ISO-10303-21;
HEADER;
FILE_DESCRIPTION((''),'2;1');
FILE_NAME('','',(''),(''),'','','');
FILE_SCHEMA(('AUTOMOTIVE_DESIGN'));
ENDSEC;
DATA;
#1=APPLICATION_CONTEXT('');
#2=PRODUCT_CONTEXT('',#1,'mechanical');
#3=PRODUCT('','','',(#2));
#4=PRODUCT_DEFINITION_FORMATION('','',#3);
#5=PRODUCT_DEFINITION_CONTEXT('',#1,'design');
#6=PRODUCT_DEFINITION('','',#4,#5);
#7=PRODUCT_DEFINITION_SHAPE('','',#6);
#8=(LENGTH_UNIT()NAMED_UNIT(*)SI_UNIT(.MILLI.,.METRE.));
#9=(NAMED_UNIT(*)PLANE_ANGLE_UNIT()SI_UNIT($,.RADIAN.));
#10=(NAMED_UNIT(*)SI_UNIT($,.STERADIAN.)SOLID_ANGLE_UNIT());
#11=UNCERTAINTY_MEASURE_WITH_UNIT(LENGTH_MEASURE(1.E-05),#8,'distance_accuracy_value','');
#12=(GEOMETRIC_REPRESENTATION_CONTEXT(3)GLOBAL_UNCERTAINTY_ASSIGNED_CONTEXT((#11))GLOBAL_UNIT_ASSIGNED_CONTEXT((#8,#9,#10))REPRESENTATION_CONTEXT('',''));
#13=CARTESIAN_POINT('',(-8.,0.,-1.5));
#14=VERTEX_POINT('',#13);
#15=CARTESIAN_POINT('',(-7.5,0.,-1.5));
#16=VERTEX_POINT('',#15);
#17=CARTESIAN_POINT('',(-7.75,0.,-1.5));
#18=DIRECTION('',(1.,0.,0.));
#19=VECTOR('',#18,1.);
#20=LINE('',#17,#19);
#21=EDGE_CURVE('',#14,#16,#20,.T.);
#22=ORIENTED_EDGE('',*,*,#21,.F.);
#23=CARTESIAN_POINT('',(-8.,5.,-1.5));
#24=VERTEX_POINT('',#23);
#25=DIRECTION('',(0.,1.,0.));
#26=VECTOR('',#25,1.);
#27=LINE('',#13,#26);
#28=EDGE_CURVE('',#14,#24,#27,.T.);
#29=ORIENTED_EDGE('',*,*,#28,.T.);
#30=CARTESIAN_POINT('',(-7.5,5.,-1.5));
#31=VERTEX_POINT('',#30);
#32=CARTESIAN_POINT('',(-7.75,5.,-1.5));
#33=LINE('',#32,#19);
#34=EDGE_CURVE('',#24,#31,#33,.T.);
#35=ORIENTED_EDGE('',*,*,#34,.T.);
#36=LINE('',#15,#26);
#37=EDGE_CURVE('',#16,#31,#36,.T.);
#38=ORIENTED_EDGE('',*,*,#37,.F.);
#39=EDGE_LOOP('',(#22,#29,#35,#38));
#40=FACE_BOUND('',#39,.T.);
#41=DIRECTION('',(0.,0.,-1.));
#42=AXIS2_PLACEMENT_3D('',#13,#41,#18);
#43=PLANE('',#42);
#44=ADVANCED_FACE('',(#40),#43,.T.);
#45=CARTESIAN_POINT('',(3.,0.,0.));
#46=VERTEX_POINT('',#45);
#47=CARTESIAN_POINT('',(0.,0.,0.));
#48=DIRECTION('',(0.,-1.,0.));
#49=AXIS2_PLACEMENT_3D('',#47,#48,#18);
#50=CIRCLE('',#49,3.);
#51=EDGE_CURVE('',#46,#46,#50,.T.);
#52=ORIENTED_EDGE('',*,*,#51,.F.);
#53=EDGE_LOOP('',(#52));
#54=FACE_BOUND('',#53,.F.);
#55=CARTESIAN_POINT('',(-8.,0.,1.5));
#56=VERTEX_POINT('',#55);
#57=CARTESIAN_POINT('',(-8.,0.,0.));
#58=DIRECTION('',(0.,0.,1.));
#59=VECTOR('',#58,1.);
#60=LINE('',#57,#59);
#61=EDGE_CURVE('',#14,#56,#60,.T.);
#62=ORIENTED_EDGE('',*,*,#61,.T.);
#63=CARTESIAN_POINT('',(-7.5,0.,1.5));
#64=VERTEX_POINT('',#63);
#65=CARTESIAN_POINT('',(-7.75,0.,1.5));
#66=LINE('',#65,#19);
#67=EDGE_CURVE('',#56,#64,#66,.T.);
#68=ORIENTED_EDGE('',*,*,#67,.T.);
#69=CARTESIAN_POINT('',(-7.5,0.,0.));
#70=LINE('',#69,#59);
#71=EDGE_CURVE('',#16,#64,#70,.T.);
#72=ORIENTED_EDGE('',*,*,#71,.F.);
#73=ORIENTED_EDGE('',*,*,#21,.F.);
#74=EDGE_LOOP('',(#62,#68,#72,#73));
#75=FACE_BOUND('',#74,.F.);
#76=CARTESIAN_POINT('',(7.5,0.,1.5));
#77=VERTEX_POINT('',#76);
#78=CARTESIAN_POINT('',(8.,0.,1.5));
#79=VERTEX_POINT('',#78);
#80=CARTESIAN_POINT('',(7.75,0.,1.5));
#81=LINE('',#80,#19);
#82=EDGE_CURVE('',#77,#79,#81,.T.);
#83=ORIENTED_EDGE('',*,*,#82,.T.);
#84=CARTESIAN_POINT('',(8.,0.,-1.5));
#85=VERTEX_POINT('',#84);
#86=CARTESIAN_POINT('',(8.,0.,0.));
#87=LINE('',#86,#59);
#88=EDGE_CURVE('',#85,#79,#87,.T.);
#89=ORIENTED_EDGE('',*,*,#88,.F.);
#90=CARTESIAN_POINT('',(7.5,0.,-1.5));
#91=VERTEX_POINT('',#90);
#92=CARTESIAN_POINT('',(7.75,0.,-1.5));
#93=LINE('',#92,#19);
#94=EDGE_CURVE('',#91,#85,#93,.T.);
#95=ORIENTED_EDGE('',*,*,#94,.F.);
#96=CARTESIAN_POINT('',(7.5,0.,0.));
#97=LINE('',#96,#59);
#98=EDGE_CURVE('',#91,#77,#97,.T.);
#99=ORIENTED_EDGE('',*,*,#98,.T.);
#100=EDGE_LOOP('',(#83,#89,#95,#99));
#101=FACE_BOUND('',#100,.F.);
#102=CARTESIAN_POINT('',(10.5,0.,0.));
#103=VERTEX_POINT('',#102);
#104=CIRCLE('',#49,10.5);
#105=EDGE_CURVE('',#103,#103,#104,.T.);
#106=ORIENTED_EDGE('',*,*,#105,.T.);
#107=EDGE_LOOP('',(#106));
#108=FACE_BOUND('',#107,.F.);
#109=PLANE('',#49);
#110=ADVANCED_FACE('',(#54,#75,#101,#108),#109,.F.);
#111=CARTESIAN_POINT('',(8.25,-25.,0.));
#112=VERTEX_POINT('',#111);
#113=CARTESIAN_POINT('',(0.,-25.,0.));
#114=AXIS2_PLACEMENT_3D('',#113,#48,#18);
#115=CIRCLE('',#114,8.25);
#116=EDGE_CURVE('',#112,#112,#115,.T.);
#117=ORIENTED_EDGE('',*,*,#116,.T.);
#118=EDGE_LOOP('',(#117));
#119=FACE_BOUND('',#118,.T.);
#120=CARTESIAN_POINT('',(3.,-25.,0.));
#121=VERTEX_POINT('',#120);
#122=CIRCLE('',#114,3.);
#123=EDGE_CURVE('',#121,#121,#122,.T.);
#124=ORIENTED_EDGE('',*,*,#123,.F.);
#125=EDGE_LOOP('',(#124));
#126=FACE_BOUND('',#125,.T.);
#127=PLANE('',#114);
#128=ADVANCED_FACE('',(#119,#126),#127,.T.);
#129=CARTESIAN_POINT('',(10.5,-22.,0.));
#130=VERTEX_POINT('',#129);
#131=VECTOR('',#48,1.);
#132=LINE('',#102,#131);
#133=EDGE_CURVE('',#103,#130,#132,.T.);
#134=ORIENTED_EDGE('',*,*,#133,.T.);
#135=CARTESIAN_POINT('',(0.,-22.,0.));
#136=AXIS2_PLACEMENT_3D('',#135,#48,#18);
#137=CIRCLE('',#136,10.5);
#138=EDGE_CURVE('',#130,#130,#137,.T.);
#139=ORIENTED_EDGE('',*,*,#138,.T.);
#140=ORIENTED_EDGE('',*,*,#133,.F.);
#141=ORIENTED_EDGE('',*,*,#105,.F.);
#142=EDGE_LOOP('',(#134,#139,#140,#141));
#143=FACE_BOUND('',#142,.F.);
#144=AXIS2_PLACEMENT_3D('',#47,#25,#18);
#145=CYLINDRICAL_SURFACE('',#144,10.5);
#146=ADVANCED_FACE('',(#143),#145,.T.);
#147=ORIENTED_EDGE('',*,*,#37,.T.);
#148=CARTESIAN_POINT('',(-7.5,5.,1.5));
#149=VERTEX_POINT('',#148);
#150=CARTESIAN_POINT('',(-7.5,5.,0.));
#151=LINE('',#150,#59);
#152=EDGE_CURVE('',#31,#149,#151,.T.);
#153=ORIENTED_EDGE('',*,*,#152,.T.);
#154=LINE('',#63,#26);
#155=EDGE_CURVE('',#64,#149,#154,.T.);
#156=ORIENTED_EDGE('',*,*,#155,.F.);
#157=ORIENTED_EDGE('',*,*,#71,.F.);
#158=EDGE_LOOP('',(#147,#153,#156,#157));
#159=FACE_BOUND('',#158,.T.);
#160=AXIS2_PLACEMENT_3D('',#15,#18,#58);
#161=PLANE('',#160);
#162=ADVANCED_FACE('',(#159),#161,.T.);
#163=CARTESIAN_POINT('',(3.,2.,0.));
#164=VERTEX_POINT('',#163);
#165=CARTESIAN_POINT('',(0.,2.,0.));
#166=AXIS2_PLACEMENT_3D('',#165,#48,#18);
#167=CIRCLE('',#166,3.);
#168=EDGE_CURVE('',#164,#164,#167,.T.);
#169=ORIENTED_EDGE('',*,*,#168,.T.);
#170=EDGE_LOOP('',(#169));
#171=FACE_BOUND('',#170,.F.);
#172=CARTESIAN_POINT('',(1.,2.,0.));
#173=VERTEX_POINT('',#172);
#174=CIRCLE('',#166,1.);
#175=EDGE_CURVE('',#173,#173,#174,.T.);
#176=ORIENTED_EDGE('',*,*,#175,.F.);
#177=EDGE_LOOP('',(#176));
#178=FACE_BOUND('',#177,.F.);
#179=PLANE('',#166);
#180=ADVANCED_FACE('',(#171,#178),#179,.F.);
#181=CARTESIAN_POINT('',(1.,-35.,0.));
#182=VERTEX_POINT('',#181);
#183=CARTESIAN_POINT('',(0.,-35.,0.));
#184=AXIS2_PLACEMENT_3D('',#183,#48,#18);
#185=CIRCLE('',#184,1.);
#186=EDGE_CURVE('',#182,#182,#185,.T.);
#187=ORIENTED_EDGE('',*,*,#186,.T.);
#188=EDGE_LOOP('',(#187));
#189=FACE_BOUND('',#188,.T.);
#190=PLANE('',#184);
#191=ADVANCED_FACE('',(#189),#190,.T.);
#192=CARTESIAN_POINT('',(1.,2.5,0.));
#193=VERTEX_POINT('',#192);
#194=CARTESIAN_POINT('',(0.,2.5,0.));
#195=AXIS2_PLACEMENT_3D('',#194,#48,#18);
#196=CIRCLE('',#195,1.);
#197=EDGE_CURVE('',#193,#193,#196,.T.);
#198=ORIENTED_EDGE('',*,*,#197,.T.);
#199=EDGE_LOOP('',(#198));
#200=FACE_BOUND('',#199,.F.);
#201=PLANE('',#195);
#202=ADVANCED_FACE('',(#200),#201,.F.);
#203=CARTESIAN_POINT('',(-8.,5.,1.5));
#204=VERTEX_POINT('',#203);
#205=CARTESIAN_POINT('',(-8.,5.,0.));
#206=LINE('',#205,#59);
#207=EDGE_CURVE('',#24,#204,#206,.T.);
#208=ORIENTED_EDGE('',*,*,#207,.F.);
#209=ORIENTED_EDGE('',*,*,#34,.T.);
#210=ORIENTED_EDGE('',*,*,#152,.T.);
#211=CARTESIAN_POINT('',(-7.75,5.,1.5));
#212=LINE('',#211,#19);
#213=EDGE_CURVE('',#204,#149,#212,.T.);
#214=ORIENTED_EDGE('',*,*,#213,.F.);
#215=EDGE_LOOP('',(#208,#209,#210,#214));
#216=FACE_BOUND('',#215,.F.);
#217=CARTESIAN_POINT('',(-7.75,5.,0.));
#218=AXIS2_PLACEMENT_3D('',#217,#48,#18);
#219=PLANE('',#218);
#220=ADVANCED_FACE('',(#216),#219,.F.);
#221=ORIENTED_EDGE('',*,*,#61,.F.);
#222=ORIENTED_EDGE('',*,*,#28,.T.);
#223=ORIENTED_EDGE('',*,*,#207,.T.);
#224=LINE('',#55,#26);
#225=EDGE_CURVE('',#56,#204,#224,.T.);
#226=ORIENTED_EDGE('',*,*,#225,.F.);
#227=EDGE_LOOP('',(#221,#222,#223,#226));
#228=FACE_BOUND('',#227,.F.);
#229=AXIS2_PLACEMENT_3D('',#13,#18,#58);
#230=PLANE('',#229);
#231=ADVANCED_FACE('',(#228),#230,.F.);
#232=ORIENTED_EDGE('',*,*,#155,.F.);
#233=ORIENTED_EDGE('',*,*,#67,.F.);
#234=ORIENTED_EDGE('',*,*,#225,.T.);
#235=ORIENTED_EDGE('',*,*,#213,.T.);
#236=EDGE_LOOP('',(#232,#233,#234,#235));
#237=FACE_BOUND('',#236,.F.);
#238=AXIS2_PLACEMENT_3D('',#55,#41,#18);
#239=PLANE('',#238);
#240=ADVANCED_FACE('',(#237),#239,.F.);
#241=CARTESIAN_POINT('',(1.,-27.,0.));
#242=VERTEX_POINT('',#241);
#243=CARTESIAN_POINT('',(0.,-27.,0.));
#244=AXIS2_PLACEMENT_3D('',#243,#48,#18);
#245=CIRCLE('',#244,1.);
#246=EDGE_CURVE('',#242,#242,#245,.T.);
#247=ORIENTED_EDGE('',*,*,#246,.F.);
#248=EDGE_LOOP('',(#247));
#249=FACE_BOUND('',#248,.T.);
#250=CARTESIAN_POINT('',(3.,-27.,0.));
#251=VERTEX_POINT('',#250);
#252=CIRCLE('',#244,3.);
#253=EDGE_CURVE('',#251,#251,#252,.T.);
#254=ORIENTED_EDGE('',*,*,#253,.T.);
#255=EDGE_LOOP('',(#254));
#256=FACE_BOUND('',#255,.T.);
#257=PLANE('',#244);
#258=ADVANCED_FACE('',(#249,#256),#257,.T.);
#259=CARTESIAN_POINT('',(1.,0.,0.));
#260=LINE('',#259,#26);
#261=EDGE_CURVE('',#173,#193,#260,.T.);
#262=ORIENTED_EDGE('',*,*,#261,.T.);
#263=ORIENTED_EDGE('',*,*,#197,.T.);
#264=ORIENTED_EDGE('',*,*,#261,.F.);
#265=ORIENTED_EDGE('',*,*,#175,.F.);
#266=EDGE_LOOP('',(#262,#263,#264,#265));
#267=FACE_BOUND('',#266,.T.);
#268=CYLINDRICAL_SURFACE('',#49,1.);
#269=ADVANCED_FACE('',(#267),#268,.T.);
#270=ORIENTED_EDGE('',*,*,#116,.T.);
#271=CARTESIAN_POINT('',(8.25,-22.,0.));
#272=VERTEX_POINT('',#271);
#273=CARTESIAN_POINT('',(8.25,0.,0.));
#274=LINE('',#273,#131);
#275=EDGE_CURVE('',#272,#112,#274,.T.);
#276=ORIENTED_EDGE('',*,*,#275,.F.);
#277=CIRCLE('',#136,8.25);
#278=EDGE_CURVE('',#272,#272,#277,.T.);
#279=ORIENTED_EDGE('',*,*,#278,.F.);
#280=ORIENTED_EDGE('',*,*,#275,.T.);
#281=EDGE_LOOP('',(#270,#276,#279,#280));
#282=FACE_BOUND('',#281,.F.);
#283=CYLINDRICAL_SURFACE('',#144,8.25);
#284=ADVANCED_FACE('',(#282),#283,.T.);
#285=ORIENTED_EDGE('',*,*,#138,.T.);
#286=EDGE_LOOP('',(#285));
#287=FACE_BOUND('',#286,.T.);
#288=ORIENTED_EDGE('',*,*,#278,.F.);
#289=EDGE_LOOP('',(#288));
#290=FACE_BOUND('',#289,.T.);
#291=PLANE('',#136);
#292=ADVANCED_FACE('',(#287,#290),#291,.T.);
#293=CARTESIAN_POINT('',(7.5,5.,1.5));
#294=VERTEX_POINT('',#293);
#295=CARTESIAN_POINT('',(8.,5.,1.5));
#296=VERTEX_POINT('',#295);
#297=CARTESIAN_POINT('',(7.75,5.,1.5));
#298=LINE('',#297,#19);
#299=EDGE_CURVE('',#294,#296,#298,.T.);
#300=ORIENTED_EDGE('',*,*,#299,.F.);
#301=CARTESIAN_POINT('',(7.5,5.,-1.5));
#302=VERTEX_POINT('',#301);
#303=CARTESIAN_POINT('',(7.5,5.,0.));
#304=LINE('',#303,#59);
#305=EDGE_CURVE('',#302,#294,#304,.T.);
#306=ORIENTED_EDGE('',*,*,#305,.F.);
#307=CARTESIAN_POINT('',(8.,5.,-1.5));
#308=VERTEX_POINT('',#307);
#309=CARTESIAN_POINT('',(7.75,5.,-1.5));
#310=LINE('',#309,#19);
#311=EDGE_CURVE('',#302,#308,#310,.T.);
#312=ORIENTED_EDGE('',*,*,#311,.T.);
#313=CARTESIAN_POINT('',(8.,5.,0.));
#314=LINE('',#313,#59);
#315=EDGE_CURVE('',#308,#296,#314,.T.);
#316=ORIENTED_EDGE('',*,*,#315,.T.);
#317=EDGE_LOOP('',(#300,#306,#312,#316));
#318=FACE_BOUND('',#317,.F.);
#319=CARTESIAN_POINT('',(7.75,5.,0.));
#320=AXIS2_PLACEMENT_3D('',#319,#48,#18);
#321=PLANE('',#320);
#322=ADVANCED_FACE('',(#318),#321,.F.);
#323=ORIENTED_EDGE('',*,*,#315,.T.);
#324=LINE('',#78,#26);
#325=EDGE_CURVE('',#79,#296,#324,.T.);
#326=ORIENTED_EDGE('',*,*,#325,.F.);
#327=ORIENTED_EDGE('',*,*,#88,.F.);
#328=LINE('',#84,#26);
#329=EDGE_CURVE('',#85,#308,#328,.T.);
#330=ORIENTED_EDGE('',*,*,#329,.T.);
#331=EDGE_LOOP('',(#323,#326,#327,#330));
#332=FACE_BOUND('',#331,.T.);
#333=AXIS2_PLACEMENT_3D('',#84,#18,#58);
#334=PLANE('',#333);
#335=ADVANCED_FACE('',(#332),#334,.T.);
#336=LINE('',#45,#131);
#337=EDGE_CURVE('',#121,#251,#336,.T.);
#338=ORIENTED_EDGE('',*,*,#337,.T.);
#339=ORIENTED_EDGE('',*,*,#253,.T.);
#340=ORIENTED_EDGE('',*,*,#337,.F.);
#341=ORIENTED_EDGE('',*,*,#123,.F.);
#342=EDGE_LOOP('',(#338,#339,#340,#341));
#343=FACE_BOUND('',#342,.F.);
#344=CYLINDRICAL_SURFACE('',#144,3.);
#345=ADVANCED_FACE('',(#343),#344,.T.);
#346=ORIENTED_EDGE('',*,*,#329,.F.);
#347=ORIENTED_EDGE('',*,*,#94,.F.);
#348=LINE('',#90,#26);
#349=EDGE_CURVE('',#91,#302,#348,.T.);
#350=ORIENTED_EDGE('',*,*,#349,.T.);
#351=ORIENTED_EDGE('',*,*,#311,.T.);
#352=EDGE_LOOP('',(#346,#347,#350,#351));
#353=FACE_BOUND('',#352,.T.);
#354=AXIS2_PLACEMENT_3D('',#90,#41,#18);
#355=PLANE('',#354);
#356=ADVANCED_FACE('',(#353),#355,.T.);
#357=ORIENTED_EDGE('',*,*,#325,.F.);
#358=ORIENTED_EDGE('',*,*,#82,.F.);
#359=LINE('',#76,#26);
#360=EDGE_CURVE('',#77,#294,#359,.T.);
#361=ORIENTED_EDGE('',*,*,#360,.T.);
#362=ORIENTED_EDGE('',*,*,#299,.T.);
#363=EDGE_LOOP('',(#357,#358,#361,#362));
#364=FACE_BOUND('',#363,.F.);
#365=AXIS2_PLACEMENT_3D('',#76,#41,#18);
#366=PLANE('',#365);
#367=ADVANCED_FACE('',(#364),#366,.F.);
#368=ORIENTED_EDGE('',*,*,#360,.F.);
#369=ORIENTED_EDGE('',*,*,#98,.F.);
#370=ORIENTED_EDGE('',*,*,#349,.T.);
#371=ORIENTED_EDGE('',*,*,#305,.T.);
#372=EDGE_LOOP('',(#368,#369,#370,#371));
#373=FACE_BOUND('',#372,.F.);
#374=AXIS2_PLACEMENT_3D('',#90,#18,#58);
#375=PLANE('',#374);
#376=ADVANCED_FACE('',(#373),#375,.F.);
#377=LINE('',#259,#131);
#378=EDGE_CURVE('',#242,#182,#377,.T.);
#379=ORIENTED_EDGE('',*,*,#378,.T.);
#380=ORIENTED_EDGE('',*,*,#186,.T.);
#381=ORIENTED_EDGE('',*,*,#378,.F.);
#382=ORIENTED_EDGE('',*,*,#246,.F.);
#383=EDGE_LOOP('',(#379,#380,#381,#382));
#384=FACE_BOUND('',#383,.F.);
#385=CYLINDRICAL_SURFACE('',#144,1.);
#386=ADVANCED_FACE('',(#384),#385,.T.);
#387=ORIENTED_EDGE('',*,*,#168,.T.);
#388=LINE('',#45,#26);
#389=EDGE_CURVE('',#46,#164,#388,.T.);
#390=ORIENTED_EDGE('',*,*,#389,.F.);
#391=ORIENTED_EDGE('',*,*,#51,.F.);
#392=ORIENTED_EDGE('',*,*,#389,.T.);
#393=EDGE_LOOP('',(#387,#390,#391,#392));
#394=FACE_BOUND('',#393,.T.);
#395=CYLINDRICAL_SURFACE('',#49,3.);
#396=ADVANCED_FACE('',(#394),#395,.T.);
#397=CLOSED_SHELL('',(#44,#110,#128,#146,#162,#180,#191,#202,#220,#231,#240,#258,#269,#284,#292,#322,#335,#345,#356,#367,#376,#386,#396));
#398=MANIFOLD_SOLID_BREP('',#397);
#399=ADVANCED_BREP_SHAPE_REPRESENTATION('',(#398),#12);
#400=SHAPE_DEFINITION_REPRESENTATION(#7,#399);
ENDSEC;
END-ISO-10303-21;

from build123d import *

# Parameters (mm, degrees)
F0_R          = 10.5
F0_R_2        = 8.25
F1_DEPTH      = 22
F0_W          = 0.5
F0_H          = 3
F0_R_3        = 3
F2_DEPTH      = 25
F0_R_4        = 1
F3_DEPTH      = 27
F3_DEPTH_BACK = 2
F4_DEPTH      = 35
F4_DEPTH_BACK = 2.5
F5_DEPTH      = 5


with BuildPart() as f1:
    # F0 (on Front) → F1 (new body)
    with BuildSketch(Plane.XZ):
        Circle(F0_R)
        Circle(F0_R_2, mode=Mode.SUBTRACT)
    extrude(amount=F1_DEPTH)

    # F0 (on Front) → F2 (join)
    with BuildSketch(Plane.XZ):
        Circle(F0_R_2)
        with Locations((-7.75, 0)):
            Rectangle(F0_W, F0_H, mode=Mode.SUBTRACT)
        Circle(F0_R_3, mode=Mode.SUBTRACT)
        with Locations((7.75, 0)):
            Rectangle(F0_W, F0_H, mode=Mode.SUBTRACT)
        with Locations((-7.75, 0)):
            Rectangle(F0_W, F0_H)
        with Locations((7.75, 0)):
            Rectangle(F0_W, F0_H)
    extrude(amount=F2_DEPTH)

    # F0 (on Front) → F3 (join, two sides)
    with BuildSketch(Plane.XZ) as f3_sk:
        Circle(F0_R_3)
        Circle(F0_R_4, mode=Mode.SUBTRACT)
    extrude(amount=F3_DEPTH)
    extrude(f3_sk.sketch, amount=-F3_DEPTH_BACK)

    # F0 (on Front) → F4 (join, two sides)
    with BuildSketch(Plane.XZ) as f4_sk:
        Circle(F0_R_4)
    extrude(amount=F4_DEPTH)
    extrude(f4_sk.sketch, amount=-F4_DEPTH_BACK)

    # F0 (on Front) → F5 (join)
    with BuildSketch(Plane.XZ):
        with Locations((-7.75, 0)):
            Rectangle(F0_W, F0_H)
        with Locations((7.75, 0)):
            Rectangle(F0_W, F0_H)
    extrude(amount=-F5_DEPTH)


solid = f1.part
